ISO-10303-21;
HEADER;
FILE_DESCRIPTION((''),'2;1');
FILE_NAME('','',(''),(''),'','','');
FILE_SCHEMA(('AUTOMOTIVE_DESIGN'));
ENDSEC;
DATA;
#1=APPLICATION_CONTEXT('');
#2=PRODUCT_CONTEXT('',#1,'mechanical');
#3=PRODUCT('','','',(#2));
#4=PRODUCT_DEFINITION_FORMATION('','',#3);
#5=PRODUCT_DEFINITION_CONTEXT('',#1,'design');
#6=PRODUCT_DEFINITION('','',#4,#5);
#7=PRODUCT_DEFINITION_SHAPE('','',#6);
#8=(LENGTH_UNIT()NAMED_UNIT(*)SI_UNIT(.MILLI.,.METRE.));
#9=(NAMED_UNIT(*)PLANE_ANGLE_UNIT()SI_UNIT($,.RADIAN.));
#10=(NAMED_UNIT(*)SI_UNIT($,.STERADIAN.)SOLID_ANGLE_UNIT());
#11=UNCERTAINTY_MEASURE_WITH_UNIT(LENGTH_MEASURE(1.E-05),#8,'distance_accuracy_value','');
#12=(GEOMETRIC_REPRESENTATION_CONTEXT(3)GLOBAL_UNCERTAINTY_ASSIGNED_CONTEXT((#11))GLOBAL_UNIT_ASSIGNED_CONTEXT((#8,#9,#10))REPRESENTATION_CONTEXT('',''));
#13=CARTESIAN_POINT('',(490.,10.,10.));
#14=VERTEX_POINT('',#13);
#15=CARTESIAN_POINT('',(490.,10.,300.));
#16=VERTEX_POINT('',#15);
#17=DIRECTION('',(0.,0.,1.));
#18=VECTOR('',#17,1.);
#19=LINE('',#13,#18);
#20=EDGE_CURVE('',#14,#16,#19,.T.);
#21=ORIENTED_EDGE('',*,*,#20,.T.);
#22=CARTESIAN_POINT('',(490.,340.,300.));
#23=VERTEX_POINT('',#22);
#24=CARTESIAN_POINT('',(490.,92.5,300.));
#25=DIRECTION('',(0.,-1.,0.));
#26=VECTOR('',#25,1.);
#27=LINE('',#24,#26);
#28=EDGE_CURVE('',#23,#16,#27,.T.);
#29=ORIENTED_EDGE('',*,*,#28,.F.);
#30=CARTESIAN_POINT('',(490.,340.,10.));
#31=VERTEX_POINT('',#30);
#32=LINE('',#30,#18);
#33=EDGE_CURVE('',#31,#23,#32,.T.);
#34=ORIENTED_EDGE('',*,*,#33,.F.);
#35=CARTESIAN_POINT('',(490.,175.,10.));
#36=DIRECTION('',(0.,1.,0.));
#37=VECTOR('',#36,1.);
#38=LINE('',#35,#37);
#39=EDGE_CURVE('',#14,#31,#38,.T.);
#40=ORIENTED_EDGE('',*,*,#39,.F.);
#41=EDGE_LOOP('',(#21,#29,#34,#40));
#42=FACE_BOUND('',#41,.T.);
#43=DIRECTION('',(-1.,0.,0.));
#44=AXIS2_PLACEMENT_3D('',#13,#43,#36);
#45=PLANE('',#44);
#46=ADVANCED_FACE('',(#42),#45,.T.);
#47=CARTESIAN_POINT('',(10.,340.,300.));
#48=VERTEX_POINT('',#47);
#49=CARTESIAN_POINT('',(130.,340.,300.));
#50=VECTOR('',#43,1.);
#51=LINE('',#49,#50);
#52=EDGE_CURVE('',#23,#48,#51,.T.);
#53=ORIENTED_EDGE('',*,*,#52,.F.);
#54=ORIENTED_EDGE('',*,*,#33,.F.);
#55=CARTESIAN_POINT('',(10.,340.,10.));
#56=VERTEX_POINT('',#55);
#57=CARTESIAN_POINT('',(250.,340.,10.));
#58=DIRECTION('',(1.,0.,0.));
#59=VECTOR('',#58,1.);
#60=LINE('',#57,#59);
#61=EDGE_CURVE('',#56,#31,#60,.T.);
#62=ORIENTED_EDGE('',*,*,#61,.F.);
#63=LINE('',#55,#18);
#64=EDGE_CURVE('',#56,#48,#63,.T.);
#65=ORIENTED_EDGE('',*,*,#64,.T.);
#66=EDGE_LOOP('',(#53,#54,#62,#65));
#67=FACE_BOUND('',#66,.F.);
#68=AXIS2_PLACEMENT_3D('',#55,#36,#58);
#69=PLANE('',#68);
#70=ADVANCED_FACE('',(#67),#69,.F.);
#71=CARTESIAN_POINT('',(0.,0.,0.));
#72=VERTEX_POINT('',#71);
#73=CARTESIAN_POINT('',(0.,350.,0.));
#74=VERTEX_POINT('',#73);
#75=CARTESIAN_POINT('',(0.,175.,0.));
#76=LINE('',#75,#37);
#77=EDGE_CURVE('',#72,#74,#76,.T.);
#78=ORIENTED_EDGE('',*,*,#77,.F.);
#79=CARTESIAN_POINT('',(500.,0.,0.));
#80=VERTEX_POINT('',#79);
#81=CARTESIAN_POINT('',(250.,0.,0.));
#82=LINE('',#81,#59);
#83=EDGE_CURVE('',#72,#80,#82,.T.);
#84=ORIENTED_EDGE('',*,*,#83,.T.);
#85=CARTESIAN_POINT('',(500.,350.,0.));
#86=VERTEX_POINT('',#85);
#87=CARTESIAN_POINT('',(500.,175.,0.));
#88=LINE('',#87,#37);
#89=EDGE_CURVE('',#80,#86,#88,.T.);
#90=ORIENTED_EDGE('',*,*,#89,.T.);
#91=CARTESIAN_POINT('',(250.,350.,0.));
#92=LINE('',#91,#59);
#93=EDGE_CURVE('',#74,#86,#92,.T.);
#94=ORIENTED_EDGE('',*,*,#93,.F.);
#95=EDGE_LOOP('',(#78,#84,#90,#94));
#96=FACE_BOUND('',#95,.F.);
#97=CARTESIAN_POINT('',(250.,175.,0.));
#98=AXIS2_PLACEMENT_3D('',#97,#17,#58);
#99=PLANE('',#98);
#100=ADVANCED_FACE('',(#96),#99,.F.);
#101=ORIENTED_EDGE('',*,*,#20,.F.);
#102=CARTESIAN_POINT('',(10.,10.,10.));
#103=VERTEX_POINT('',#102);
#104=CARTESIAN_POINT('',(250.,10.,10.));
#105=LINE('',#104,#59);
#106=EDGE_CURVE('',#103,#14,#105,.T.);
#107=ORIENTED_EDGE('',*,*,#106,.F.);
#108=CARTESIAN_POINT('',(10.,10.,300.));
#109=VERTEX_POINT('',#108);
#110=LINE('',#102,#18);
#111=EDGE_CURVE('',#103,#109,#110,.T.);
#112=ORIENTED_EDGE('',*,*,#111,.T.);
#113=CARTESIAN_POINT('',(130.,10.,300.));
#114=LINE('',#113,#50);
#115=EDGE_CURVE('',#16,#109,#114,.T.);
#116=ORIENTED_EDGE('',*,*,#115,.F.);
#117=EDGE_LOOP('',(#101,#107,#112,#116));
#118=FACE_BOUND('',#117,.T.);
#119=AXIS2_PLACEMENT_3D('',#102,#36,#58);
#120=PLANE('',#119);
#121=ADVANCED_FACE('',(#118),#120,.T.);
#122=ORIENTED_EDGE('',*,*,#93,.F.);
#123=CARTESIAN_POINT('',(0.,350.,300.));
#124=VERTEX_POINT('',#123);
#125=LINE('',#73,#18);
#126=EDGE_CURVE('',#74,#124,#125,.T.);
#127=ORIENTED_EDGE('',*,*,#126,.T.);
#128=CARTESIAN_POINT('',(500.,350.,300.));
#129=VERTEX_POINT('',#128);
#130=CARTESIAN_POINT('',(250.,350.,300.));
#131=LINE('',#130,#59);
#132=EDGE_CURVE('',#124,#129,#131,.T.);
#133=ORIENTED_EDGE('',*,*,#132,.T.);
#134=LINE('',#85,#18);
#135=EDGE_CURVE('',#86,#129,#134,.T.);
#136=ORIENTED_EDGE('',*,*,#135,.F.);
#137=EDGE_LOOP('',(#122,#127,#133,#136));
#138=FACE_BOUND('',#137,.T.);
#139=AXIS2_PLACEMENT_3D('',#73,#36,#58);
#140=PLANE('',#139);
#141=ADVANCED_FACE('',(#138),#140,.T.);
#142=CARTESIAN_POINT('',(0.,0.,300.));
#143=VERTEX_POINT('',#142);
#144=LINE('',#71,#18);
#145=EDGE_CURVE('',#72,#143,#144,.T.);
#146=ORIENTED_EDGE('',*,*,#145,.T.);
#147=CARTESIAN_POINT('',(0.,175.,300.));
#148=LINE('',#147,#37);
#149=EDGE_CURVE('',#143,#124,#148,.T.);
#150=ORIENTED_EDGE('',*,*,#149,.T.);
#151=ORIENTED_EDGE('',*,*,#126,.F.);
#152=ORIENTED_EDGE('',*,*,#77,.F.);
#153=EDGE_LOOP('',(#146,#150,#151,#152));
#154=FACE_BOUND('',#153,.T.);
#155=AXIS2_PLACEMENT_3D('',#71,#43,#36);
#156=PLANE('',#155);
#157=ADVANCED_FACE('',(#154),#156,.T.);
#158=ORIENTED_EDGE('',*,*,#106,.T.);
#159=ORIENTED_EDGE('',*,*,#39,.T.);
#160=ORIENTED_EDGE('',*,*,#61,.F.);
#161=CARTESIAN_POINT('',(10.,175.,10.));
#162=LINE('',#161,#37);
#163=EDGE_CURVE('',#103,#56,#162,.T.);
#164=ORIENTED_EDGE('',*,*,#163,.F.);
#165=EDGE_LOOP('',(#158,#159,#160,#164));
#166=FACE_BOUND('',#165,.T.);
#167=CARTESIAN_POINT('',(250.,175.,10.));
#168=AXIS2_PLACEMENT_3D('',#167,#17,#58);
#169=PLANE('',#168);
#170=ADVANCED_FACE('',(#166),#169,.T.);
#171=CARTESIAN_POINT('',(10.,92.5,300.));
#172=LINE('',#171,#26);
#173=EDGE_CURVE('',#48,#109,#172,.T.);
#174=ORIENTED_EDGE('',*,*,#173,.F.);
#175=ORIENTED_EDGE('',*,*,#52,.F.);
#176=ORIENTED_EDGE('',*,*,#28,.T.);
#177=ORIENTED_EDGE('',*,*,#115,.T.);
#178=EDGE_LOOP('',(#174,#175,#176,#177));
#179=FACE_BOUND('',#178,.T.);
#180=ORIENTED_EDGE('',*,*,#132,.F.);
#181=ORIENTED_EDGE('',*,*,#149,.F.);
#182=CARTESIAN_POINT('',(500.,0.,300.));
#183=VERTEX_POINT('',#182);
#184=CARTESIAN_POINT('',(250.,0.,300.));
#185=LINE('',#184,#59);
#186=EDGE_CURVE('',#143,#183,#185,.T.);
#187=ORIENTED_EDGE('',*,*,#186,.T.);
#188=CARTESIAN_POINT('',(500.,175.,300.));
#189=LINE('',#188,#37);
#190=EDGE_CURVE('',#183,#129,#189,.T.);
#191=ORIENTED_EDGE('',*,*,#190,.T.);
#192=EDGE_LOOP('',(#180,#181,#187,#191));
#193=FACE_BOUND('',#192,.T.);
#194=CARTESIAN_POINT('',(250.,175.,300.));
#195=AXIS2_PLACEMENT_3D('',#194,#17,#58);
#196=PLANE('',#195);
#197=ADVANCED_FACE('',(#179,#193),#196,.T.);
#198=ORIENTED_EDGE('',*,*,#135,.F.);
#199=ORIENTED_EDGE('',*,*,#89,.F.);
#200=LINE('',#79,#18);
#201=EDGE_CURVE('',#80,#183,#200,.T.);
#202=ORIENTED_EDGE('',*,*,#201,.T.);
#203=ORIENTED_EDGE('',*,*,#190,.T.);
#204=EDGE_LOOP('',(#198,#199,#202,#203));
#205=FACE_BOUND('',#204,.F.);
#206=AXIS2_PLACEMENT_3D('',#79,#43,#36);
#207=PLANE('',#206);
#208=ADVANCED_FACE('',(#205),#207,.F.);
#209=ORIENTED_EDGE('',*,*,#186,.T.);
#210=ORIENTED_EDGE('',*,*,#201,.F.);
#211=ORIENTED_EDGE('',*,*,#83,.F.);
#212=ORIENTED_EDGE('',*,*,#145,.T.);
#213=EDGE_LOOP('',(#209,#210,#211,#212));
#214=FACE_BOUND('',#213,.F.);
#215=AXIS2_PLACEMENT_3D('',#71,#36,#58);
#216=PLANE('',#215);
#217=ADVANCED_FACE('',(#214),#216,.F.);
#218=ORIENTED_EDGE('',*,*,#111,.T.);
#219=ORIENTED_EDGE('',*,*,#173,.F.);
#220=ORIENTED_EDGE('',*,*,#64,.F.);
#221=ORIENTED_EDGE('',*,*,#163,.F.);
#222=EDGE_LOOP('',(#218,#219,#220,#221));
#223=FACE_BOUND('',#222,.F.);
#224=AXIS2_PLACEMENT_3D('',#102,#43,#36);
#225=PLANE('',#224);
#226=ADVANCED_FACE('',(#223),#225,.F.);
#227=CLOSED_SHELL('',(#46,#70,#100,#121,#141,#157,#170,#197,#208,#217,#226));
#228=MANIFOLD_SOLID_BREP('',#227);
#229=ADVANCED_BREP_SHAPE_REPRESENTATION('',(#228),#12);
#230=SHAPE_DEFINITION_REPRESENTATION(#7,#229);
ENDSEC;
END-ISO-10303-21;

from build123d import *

# Parameters (mm, degrees)
BOX001_W     = 480
BOX001_H     = 330
BOX001_DEPTH = 320
BOX_W        = 500
BOX_H        = 350
BOX_DEPTH    = 300


with BuildPart() as cube001:
    # Box001 → Box001 (new body)
    with BuildSketch(Plane(origin=(10, 10, 10), x_dir=(1, 0, 0), z_dir=(0, 0, 1))):
        with Locations((240, 165)):
            Rectangle(BOX001_W, BOX001_H)
    extrude(amount=BOX001_DEPTH)


with BuildPart() as solar_box:
    # Box → Box (new body)
    with BuildSketch(Plane.XY):
        with Locations((250, 175)):
            Rectangle(BOX_W, BOX_H)
    extrude(amount=BOX_DEPTH)

    # Cut: cut Cube001
    add(cube001.part, mode=Mode.SUBTRACT)


solid = solar_box.part
